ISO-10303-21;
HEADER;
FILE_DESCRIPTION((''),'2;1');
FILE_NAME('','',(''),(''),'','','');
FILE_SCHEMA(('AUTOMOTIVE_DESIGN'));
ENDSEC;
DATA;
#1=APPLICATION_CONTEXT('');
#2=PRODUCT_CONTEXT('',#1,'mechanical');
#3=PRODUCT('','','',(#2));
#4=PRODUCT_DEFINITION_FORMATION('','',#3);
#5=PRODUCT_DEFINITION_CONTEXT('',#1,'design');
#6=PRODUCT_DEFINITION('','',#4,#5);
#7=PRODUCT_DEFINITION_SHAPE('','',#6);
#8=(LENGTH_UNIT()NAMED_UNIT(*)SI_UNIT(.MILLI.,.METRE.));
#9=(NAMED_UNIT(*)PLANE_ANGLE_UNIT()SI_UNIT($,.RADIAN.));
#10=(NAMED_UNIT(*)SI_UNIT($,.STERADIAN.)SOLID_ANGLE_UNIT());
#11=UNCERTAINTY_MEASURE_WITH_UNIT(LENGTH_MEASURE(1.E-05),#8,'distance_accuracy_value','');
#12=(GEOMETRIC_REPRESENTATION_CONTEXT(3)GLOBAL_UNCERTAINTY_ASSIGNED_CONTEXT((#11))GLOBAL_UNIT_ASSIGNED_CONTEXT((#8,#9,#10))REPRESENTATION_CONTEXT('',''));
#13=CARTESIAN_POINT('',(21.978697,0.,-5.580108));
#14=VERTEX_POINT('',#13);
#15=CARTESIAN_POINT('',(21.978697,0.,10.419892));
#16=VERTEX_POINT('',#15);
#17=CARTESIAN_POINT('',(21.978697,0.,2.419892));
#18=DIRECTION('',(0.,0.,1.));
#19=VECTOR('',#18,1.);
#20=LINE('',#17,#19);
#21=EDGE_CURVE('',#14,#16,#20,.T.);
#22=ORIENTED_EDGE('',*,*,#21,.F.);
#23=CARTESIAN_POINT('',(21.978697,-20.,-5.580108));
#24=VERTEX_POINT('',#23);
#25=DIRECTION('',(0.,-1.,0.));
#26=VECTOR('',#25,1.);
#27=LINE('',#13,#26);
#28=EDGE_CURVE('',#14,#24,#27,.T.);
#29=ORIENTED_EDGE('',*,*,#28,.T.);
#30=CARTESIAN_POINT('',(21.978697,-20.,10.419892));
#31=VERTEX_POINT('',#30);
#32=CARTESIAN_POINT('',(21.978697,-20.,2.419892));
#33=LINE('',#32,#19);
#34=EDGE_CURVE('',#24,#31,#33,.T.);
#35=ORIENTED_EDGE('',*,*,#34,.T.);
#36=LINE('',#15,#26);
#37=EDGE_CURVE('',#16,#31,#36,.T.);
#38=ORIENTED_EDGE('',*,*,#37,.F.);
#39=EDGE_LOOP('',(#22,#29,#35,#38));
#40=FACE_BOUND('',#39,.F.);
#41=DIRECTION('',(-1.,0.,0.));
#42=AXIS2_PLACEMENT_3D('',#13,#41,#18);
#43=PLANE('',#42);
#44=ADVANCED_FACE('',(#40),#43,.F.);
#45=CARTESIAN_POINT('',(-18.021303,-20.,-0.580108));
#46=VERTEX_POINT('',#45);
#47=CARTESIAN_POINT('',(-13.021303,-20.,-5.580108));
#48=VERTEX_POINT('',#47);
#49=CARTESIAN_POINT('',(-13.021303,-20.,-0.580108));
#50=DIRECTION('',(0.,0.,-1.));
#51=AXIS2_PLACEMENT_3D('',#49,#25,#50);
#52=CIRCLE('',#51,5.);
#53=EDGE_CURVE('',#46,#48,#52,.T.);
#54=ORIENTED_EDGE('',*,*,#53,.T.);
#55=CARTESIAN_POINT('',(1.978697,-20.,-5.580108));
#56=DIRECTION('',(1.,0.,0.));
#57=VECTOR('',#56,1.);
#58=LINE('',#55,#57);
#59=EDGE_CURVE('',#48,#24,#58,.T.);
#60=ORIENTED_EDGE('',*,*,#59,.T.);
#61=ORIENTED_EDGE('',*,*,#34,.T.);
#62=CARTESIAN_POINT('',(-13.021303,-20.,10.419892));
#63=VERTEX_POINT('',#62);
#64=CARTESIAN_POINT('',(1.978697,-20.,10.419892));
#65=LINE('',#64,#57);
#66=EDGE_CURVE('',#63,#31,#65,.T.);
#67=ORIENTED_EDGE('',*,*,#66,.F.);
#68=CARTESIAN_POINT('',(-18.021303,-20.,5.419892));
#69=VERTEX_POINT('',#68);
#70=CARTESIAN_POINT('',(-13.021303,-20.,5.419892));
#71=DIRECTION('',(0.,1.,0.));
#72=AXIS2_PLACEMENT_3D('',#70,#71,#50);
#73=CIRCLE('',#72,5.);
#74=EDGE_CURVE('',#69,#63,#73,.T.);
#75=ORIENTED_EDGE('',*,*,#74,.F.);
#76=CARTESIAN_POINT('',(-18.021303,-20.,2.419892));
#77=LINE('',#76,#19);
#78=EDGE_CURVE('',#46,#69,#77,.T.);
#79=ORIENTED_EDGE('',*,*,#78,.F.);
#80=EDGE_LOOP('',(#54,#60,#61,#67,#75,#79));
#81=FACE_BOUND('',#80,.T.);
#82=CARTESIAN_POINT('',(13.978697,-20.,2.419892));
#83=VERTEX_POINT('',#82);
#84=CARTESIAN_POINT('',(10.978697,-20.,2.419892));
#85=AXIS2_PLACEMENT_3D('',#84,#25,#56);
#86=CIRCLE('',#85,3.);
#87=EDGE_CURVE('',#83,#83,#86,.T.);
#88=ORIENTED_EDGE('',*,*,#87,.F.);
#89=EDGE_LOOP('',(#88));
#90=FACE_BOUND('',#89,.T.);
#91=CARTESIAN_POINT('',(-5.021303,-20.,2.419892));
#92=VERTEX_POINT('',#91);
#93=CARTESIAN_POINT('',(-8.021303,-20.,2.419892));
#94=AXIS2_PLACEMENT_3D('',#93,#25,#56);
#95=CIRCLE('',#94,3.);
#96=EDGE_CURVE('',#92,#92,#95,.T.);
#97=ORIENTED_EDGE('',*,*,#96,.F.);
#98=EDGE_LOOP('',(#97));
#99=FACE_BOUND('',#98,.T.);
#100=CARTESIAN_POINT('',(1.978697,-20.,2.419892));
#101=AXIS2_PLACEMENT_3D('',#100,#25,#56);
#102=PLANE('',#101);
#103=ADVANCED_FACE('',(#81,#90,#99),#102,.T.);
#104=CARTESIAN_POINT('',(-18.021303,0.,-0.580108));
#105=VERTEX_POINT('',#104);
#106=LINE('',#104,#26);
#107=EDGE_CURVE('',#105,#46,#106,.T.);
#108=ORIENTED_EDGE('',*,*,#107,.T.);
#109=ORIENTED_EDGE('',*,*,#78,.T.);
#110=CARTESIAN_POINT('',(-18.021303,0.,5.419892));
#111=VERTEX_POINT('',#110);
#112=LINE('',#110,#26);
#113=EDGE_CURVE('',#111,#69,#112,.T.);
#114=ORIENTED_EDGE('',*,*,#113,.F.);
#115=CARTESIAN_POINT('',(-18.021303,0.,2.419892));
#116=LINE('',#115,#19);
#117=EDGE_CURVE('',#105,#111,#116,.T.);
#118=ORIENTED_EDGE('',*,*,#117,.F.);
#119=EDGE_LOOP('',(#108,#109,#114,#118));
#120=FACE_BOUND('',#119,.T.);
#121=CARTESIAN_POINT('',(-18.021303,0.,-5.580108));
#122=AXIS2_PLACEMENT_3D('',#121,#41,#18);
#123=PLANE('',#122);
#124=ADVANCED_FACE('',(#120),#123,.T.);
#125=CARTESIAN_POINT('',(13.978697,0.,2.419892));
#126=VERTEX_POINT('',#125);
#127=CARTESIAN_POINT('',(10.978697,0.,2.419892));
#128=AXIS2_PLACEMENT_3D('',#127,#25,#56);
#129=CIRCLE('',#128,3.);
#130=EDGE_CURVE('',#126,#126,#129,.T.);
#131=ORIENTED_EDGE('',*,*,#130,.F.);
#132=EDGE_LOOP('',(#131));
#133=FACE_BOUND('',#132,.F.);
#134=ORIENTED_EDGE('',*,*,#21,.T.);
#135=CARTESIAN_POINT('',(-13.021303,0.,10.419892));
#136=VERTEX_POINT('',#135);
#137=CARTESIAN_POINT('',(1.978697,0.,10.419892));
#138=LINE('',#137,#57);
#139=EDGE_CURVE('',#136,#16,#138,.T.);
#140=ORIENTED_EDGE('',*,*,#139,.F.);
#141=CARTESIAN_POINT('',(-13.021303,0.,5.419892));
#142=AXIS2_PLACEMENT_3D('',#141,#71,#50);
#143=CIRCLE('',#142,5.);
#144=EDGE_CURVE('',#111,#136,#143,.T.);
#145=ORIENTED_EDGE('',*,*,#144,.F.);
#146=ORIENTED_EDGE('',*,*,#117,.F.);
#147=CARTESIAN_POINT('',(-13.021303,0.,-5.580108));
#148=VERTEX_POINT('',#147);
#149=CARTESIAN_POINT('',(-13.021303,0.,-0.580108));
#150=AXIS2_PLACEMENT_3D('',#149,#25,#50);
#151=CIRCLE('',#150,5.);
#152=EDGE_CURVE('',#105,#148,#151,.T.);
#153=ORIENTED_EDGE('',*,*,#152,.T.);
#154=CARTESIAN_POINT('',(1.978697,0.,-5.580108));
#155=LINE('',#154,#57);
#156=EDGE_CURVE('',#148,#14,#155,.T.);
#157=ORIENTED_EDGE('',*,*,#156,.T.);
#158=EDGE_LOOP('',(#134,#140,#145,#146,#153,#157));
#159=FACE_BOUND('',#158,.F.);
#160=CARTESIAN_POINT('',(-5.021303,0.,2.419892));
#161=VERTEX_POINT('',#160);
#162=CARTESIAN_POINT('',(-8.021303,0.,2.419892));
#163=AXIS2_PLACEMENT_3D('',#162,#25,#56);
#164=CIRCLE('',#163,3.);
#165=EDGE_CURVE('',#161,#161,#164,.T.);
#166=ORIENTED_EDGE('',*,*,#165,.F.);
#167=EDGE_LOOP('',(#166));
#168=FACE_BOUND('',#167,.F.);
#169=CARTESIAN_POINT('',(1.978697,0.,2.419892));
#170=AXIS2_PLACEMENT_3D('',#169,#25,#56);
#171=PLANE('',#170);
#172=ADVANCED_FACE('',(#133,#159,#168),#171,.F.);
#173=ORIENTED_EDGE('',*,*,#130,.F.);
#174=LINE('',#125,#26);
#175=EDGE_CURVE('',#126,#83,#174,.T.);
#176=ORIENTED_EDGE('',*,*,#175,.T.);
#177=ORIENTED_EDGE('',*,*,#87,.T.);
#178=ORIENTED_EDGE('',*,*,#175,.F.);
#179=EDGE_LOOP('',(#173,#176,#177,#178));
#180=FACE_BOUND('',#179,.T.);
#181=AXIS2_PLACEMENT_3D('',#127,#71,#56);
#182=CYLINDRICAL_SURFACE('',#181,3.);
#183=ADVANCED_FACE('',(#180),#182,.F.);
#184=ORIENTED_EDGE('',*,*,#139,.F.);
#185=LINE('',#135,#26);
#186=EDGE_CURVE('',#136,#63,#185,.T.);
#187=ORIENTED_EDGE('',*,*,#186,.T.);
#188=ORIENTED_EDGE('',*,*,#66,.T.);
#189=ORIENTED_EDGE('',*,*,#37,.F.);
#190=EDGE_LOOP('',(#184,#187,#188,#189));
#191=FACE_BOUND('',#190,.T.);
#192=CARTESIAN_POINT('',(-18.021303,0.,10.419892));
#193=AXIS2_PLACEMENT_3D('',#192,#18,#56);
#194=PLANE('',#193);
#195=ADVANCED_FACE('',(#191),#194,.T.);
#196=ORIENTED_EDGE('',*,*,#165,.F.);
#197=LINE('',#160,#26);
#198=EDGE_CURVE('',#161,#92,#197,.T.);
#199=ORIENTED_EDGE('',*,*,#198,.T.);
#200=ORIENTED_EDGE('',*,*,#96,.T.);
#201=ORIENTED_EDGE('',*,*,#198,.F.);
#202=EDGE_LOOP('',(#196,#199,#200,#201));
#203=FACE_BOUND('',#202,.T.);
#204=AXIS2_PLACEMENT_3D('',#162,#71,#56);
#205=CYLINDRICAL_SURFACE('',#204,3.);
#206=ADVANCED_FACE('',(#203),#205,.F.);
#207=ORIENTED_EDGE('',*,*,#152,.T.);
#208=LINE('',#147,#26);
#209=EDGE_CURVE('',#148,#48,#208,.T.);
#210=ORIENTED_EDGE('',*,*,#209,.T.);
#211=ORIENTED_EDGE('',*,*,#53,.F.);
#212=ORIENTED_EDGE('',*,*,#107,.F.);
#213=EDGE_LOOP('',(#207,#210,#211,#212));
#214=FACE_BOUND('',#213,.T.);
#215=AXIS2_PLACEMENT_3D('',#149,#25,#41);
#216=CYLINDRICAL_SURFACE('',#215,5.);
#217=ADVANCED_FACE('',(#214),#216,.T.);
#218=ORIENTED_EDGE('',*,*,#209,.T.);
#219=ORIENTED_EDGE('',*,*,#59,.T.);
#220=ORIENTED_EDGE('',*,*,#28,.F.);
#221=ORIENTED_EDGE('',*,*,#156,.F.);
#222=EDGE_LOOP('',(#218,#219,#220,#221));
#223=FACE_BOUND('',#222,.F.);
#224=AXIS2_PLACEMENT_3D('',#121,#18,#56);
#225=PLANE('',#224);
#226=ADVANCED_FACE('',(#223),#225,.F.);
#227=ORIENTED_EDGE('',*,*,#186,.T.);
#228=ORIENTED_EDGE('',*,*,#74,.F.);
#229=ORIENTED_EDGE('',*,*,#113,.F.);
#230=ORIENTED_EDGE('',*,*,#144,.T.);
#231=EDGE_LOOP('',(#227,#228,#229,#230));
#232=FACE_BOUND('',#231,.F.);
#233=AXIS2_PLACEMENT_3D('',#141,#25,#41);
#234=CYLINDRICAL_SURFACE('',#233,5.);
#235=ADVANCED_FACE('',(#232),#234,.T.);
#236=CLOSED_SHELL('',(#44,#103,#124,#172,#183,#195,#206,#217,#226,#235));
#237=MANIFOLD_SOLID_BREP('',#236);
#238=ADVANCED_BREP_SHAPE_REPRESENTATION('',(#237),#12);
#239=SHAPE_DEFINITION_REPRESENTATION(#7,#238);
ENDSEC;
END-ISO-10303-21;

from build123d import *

# Parameters (mm, degrees)
F0_W     = 40
F0_H     = 16
F0_R     = 3
F1_DEPTH = 20
F2_R     = 5


with BuildPart() as f1:
    # F0 (on Front) → F1 (new body)
    with BuildSketch(Plane.XZ):
        with Locations((1.978697, 2.419892)):
            Rectangle(F0_W, F0_H)
        with Locations((-8.021303, 2.419892)):
            Circle(F0_R, mode=Mode.SUBTRACT)
        with Locations((10.978697, 2.419892)):
            Circle(F0_R, mode=Mode.SUBTRACT)
    extrude(amount=F1_DEPTH)

    # F2
    f2_edges = [f1.edges().sort_by_distance(p)[0] for p in [
        (-18.021303, -10, 10.419892),
        (-18.021303, -10, -5.580108),
    ]]
    fillet(f2_edges, radius=F2_R)


solid = f1.part
